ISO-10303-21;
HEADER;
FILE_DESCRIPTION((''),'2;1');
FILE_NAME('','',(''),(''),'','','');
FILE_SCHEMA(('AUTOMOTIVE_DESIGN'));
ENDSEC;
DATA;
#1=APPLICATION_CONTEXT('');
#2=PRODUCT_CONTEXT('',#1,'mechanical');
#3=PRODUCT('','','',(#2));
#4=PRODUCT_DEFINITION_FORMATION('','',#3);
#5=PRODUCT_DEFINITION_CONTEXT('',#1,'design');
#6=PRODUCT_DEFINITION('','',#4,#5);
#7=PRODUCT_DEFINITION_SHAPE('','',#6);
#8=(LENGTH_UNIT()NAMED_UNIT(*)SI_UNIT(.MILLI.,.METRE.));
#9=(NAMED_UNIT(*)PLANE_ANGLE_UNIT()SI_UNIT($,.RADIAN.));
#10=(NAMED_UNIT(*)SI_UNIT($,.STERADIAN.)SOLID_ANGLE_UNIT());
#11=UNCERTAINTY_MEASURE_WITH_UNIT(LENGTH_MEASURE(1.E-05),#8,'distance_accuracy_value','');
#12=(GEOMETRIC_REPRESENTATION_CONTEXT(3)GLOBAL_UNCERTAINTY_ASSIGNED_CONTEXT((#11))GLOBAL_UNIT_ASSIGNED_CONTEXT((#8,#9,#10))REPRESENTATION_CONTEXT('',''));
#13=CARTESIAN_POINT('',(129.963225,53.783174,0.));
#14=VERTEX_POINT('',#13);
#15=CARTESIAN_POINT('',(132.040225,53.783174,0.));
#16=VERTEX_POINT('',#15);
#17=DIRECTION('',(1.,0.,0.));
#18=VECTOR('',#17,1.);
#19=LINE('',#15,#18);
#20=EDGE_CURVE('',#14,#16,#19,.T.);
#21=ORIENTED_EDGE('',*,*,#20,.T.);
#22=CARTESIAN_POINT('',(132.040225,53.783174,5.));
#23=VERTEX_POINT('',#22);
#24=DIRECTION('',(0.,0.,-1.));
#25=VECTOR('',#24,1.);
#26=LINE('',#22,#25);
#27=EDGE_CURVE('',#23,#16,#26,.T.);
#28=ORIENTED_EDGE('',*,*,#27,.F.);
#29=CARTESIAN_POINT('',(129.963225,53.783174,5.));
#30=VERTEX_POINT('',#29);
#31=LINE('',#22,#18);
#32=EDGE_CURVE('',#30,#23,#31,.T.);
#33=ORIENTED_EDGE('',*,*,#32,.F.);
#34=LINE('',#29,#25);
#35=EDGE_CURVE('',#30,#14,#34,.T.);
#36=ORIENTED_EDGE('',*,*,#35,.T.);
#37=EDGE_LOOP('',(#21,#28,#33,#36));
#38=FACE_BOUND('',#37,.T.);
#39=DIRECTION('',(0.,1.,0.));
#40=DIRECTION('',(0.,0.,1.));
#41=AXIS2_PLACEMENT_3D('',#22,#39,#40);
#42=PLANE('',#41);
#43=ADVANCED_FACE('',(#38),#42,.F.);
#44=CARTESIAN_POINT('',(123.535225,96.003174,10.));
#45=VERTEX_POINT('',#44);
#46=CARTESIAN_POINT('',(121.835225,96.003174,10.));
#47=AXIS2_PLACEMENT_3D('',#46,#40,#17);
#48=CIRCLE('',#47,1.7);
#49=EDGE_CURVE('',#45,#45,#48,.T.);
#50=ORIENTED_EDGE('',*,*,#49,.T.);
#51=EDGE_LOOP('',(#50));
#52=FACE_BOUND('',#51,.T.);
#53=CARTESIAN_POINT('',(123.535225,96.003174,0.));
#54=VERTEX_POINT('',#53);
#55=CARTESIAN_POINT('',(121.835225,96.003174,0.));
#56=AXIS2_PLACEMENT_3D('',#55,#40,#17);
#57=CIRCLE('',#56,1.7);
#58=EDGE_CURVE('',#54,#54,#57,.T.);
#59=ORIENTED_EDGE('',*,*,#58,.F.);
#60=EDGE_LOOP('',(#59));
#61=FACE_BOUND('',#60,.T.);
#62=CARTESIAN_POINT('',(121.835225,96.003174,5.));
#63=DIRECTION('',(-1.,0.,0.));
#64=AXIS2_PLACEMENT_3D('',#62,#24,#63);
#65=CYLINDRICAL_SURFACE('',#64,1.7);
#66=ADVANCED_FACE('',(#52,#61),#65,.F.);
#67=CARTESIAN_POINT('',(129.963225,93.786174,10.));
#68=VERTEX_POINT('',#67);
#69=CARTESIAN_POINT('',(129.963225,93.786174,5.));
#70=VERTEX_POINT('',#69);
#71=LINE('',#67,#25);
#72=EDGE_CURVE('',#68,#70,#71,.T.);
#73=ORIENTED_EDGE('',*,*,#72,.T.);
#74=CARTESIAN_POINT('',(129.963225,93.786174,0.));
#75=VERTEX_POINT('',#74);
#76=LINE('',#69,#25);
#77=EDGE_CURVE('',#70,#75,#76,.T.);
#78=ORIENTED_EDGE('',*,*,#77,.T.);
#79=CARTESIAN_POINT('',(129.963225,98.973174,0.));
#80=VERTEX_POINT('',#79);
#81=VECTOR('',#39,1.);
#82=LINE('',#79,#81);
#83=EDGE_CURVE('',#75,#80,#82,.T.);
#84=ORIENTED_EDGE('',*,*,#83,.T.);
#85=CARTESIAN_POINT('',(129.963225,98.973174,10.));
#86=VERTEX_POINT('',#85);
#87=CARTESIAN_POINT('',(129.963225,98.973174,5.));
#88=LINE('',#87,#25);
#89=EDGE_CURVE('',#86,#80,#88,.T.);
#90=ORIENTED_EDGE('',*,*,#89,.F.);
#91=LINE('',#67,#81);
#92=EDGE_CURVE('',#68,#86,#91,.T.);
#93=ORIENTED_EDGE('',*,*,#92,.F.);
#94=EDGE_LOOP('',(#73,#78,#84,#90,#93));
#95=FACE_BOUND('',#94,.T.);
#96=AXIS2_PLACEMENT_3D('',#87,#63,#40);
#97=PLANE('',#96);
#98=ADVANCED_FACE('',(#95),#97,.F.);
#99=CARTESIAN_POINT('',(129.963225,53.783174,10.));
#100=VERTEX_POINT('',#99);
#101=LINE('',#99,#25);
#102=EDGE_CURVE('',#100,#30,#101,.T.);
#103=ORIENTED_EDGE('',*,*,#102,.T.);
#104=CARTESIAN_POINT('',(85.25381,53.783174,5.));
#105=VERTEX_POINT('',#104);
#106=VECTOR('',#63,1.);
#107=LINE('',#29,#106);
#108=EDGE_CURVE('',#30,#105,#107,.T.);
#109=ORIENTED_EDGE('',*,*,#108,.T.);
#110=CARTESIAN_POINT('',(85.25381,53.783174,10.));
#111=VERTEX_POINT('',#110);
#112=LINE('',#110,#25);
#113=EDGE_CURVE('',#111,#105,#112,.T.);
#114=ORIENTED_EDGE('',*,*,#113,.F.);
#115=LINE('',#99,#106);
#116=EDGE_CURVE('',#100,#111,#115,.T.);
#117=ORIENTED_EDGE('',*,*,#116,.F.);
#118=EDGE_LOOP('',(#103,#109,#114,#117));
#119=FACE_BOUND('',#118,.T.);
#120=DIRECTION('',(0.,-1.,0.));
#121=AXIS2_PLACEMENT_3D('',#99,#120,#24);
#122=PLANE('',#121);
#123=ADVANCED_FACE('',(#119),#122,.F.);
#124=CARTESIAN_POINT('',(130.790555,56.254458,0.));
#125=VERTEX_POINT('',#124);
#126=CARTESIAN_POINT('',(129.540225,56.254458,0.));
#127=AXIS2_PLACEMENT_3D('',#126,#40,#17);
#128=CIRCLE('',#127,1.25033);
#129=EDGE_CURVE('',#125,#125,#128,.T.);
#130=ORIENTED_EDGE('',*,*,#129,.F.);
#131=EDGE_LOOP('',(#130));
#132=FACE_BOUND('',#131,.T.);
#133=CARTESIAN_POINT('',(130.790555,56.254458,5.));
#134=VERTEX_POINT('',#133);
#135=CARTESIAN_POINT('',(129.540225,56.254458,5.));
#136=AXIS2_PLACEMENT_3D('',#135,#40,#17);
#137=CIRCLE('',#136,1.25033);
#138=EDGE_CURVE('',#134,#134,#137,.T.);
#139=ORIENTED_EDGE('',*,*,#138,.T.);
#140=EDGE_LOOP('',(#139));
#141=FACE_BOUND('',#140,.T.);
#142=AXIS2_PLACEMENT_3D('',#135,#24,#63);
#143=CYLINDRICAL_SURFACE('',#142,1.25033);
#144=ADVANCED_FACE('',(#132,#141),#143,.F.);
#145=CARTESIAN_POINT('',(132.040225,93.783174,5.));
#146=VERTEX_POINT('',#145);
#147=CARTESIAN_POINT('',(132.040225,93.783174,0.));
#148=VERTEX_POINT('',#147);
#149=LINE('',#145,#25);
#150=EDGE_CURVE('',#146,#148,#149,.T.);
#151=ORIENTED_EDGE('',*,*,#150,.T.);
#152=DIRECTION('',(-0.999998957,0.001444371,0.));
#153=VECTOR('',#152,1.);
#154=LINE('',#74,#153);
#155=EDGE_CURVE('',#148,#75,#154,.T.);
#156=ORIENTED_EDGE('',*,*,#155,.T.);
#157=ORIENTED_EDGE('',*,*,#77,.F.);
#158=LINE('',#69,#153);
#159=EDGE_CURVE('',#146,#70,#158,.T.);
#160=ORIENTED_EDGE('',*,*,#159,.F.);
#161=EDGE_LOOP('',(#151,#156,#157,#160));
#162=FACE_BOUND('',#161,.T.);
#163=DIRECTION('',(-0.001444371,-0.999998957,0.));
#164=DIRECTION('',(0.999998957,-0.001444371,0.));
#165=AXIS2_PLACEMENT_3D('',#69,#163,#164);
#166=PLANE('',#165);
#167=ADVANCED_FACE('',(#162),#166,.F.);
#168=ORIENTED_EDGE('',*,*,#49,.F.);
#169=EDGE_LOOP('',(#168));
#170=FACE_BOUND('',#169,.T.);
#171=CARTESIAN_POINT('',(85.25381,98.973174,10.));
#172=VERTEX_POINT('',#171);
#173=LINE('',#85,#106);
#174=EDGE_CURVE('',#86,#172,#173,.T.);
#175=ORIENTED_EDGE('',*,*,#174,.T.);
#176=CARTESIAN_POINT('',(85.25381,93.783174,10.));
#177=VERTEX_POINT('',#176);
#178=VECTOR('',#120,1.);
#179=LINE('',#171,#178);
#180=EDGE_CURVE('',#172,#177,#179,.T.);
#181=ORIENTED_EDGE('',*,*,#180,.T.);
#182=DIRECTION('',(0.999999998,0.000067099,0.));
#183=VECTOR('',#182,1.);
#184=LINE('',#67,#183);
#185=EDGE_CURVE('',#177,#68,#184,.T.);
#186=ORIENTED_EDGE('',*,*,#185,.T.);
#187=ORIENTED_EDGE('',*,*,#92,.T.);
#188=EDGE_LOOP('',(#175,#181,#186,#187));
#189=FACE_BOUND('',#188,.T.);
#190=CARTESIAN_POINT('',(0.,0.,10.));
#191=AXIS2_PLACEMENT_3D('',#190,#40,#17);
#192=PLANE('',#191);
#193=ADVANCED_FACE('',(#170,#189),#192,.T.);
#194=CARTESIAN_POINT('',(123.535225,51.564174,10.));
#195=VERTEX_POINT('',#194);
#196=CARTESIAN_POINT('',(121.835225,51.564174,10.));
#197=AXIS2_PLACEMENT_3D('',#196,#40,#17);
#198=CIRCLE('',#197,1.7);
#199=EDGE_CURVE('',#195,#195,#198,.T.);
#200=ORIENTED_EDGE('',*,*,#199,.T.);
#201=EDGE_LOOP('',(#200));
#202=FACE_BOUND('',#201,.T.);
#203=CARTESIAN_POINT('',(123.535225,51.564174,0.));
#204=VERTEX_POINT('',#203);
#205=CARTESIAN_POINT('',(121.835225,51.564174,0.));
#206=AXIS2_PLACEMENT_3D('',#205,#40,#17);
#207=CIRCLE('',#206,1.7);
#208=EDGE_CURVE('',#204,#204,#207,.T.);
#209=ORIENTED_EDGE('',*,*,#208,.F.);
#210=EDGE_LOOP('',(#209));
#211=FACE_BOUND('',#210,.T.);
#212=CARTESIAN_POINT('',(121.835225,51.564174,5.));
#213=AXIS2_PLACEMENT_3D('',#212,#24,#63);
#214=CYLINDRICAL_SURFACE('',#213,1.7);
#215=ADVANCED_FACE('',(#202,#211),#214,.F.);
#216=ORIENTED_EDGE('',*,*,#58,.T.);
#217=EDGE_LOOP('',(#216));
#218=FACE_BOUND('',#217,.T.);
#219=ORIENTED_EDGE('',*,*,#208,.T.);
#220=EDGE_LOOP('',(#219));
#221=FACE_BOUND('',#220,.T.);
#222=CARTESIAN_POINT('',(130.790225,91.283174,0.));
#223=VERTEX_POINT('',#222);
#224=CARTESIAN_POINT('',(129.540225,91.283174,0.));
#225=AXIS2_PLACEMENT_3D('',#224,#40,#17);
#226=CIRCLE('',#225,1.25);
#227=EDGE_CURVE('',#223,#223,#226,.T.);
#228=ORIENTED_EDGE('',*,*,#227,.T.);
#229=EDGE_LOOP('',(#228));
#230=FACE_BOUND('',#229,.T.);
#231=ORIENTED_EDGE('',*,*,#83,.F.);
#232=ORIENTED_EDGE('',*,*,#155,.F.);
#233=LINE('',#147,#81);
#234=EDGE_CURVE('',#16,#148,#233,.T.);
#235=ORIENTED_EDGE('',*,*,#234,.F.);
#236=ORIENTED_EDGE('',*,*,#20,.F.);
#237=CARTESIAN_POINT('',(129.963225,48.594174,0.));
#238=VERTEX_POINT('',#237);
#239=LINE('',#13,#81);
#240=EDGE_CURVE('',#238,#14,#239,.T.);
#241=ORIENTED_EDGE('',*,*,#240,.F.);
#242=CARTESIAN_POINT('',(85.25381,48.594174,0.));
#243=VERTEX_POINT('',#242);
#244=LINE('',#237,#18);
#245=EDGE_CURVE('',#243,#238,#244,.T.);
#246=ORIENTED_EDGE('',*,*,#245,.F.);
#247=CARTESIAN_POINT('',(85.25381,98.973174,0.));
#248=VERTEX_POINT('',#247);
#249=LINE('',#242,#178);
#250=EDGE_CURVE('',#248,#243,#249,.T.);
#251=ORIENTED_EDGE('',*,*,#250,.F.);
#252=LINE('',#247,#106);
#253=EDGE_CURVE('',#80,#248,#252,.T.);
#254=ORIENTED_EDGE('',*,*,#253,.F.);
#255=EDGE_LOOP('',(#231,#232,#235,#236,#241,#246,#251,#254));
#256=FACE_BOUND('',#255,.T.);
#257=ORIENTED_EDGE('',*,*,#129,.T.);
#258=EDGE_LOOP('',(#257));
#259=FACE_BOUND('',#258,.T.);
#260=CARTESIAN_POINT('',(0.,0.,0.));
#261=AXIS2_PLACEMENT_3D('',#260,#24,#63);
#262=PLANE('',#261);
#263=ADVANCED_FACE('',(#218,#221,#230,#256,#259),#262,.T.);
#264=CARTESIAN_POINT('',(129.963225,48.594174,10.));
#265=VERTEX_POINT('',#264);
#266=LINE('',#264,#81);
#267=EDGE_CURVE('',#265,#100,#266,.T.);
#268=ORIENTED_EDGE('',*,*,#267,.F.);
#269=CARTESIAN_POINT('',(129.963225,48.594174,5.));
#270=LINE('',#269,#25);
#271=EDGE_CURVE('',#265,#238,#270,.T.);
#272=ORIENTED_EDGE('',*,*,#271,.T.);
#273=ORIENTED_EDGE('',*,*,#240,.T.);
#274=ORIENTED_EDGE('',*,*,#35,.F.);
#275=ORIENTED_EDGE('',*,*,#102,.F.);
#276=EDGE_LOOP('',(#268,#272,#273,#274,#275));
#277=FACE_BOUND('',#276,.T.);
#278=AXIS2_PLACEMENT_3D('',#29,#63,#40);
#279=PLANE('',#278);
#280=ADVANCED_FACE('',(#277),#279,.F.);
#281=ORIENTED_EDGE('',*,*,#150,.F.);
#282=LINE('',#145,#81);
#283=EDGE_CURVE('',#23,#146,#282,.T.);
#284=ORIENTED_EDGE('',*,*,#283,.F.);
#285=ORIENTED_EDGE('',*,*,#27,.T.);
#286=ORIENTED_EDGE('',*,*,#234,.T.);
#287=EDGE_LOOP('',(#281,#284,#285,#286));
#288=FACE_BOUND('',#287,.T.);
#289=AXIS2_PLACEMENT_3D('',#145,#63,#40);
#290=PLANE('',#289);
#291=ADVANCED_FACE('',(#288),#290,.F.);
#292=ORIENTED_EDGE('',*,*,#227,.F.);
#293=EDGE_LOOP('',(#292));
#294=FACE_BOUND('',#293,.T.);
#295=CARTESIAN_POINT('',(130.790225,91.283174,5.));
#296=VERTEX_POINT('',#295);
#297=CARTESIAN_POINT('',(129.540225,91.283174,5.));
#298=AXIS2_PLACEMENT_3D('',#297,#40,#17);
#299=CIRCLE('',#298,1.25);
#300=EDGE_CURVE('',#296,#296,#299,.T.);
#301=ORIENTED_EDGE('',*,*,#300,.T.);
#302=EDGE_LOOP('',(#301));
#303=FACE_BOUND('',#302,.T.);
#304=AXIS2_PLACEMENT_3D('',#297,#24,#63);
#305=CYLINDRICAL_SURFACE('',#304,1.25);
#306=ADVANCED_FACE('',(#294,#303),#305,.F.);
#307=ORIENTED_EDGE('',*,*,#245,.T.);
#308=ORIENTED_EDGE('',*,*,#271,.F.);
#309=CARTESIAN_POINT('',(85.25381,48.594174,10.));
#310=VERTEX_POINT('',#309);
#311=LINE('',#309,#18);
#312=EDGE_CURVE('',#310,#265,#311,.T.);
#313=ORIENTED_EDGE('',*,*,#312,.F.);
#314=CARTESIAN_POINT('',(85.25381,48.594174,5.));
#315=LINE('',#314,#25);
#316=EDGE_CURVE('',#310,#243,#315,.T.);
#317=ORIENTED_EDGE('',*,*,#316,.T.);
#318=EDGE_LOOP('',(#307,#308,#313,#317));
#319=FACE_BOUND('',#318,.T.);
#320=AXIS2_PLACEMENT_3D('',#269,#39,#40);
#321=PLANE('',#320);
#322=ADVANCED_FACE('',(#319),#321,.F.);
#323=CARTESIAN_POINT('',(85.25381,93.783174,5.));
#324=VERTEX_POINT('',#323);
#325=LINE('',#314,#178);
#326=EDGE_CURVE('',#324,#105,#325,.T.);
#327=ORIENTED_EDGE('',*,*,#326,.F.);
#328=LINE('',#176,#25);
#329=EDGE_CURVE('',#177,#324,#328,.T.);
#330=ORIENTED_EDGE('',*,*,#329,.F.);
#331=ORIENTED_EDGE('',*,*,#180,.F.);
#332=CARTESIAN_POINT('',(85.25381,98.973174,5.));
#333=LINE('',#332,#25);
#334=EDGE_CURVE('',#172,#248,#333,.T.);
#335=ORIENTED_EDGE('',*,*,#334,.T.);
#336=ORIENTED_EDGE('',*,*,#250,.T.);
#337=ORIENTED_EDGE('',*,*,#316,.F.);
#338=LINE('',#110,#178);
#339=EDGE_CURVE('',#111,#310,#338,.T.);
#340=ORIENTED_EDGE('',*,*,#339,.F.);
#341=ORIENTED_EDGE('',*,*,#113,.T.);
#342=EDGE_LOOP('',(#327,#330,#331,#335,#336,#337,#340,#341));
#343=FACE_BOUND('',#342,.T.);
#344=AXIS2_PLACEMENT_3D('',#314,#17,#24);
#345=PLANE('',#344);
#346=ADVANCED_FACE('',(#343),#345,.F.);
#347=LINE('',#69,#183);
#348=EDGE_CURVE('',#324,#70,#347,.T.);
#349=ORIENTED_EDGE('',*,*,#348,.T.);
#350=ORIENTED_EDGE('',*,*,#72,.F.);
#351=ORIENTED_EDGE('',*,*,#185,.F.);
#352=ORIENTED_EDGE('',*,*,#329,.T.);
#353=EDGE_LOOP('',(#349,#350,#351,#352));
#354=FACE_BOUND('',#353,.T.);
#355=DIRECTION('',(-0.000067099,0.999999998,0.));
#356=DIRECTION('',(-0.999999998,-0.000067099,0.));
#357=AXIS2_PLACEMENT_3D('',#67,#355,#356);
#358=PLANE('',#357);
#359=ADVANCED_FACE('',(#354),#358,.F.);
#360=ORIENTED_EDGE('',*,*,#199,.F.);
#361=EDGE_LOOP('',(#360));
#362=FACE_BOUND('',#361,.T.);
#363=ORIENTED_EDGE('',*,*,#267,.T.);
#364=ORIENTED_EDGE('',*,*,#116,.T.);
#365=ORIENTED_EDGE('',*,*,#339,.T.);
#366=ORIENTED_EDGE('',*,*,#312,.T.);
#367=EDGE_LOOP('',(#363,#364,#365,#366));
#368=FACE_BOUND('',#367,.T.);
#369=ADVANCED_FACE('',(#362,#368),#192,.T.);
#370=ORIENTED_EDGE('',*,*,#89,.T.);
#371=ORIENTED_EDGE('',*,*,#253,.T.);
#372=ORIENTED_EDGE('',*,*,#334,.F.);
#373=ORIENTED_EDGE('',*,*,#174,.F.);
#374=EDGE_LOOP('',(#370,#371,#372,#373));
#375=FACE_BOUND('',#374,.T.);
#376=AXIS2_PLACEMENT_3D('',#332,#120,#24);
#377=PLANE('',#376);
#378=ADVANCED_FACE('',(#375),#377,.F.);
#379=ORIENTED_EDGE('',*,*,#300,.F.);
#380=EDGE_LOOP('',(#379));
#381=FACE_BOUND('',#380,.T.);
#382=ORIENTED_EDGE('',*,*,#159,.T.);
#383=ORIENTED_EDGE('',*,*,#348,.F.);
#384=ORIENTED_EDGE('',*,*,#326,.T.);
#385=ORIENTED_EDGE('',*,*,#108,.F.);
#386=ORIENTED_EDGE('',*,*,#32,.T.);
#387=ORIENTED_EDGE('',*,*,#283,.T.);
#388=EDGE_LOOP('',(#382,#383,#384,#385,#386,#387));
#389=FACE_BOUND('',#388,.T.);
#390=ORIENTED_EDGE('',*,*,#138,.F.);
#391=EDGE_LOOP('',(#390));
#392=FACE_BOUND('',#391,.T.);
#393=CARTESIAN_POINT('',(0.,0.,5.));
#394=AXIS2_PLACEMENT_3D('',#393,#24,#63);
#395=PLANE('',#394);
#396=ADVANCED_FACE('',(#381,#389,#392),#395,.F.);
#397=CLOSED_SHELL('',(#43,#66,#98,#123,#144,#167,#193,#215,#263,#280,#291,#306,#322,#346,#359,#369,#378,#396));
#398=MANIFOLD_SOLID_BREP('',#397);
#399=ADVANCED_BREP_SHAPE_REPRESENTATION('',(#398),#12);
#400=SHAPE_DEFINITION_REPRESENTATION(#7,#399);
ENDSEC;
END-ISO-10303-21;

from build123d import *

# Parameters (mm, degrees)
SKETCH1_R           = 1.25
SKETCH1_R_2         = 1.250329794
SKETCH1_R_3         = 1.7
BOSS_EXTRUDE1_DEPTH = 5
SKETCH2_R           = 1.7
SKETCH2_W           = 44.709414805
SKETCH2_H           = 5.189
BOSS_EXTRUDE2_DEPTH = 5


with BuildPart() as part:
    # Sketch1 → Boss-Extrude1 (new body)
    with BuildSketch(Plane.XY):
        Polygon((85.253810187, 98.97317398), (129.963224992, 98.97317398), (129.963224992, 93.786173942), (132.040225419, 93.78317398), (132.040225419, 53.78317398), (129.963224992, 53.78317398), (129.963224992, 48.59417398), (85.253810187, 48.59417398), align=None)
        with Locations((129.540225419, 91.28317398)):
            Circle(SKETCH1_R, mode=Mode.SUBTRACT)
        with Locations((129.540225419, 56.254458242)):
            Circle(SKETCH1_R_2, mode=Mode.SUBTRACT)
        with Locations((121.835225419, 51.56417398)):
            Circle(SKETCH1_R_3, mode=Mode.SUBTRACT)
        with Locations((121.835225419, 96.00317398)):
            Circle(SKETCH1_R_3, mode=Mode.SUBTRACT)
    extrude(amount=BOSS_EXTRUDE1_DEPTH)

    # Sketch2 → Boss-Extrude2 (add)
    # profile 1 of 2: a face of its own
    with BuildSketch(Plane.XY.offset(5)):
        Polygon((129.963224992, 93.786173942), (85.253810187, 93.78317398), (85.253810187, 98.97317398), (129.963224992, 98.97317398), align=None)
        with Locations((121.835225419, 96.00317398)):
            Circle(SKETCH2_R, mode=Mode.SUBTRACT)
    # profile 2 of 2: a face of its own
    with BuildSketch(Plane.XY.offset(5)):
        with Locations((107.60851759, 51.18867398)):
            Rectangle(SKETCH2_W, SKETCH2_H)
        with Locations((121.835225419, 51.56417398)):
            Circle(SKETCH2_R, mode=Mode.SUBTRACT)
    extrude(amount=BOSS_EXTRUDE2_DEPTH)


solid = part.part
